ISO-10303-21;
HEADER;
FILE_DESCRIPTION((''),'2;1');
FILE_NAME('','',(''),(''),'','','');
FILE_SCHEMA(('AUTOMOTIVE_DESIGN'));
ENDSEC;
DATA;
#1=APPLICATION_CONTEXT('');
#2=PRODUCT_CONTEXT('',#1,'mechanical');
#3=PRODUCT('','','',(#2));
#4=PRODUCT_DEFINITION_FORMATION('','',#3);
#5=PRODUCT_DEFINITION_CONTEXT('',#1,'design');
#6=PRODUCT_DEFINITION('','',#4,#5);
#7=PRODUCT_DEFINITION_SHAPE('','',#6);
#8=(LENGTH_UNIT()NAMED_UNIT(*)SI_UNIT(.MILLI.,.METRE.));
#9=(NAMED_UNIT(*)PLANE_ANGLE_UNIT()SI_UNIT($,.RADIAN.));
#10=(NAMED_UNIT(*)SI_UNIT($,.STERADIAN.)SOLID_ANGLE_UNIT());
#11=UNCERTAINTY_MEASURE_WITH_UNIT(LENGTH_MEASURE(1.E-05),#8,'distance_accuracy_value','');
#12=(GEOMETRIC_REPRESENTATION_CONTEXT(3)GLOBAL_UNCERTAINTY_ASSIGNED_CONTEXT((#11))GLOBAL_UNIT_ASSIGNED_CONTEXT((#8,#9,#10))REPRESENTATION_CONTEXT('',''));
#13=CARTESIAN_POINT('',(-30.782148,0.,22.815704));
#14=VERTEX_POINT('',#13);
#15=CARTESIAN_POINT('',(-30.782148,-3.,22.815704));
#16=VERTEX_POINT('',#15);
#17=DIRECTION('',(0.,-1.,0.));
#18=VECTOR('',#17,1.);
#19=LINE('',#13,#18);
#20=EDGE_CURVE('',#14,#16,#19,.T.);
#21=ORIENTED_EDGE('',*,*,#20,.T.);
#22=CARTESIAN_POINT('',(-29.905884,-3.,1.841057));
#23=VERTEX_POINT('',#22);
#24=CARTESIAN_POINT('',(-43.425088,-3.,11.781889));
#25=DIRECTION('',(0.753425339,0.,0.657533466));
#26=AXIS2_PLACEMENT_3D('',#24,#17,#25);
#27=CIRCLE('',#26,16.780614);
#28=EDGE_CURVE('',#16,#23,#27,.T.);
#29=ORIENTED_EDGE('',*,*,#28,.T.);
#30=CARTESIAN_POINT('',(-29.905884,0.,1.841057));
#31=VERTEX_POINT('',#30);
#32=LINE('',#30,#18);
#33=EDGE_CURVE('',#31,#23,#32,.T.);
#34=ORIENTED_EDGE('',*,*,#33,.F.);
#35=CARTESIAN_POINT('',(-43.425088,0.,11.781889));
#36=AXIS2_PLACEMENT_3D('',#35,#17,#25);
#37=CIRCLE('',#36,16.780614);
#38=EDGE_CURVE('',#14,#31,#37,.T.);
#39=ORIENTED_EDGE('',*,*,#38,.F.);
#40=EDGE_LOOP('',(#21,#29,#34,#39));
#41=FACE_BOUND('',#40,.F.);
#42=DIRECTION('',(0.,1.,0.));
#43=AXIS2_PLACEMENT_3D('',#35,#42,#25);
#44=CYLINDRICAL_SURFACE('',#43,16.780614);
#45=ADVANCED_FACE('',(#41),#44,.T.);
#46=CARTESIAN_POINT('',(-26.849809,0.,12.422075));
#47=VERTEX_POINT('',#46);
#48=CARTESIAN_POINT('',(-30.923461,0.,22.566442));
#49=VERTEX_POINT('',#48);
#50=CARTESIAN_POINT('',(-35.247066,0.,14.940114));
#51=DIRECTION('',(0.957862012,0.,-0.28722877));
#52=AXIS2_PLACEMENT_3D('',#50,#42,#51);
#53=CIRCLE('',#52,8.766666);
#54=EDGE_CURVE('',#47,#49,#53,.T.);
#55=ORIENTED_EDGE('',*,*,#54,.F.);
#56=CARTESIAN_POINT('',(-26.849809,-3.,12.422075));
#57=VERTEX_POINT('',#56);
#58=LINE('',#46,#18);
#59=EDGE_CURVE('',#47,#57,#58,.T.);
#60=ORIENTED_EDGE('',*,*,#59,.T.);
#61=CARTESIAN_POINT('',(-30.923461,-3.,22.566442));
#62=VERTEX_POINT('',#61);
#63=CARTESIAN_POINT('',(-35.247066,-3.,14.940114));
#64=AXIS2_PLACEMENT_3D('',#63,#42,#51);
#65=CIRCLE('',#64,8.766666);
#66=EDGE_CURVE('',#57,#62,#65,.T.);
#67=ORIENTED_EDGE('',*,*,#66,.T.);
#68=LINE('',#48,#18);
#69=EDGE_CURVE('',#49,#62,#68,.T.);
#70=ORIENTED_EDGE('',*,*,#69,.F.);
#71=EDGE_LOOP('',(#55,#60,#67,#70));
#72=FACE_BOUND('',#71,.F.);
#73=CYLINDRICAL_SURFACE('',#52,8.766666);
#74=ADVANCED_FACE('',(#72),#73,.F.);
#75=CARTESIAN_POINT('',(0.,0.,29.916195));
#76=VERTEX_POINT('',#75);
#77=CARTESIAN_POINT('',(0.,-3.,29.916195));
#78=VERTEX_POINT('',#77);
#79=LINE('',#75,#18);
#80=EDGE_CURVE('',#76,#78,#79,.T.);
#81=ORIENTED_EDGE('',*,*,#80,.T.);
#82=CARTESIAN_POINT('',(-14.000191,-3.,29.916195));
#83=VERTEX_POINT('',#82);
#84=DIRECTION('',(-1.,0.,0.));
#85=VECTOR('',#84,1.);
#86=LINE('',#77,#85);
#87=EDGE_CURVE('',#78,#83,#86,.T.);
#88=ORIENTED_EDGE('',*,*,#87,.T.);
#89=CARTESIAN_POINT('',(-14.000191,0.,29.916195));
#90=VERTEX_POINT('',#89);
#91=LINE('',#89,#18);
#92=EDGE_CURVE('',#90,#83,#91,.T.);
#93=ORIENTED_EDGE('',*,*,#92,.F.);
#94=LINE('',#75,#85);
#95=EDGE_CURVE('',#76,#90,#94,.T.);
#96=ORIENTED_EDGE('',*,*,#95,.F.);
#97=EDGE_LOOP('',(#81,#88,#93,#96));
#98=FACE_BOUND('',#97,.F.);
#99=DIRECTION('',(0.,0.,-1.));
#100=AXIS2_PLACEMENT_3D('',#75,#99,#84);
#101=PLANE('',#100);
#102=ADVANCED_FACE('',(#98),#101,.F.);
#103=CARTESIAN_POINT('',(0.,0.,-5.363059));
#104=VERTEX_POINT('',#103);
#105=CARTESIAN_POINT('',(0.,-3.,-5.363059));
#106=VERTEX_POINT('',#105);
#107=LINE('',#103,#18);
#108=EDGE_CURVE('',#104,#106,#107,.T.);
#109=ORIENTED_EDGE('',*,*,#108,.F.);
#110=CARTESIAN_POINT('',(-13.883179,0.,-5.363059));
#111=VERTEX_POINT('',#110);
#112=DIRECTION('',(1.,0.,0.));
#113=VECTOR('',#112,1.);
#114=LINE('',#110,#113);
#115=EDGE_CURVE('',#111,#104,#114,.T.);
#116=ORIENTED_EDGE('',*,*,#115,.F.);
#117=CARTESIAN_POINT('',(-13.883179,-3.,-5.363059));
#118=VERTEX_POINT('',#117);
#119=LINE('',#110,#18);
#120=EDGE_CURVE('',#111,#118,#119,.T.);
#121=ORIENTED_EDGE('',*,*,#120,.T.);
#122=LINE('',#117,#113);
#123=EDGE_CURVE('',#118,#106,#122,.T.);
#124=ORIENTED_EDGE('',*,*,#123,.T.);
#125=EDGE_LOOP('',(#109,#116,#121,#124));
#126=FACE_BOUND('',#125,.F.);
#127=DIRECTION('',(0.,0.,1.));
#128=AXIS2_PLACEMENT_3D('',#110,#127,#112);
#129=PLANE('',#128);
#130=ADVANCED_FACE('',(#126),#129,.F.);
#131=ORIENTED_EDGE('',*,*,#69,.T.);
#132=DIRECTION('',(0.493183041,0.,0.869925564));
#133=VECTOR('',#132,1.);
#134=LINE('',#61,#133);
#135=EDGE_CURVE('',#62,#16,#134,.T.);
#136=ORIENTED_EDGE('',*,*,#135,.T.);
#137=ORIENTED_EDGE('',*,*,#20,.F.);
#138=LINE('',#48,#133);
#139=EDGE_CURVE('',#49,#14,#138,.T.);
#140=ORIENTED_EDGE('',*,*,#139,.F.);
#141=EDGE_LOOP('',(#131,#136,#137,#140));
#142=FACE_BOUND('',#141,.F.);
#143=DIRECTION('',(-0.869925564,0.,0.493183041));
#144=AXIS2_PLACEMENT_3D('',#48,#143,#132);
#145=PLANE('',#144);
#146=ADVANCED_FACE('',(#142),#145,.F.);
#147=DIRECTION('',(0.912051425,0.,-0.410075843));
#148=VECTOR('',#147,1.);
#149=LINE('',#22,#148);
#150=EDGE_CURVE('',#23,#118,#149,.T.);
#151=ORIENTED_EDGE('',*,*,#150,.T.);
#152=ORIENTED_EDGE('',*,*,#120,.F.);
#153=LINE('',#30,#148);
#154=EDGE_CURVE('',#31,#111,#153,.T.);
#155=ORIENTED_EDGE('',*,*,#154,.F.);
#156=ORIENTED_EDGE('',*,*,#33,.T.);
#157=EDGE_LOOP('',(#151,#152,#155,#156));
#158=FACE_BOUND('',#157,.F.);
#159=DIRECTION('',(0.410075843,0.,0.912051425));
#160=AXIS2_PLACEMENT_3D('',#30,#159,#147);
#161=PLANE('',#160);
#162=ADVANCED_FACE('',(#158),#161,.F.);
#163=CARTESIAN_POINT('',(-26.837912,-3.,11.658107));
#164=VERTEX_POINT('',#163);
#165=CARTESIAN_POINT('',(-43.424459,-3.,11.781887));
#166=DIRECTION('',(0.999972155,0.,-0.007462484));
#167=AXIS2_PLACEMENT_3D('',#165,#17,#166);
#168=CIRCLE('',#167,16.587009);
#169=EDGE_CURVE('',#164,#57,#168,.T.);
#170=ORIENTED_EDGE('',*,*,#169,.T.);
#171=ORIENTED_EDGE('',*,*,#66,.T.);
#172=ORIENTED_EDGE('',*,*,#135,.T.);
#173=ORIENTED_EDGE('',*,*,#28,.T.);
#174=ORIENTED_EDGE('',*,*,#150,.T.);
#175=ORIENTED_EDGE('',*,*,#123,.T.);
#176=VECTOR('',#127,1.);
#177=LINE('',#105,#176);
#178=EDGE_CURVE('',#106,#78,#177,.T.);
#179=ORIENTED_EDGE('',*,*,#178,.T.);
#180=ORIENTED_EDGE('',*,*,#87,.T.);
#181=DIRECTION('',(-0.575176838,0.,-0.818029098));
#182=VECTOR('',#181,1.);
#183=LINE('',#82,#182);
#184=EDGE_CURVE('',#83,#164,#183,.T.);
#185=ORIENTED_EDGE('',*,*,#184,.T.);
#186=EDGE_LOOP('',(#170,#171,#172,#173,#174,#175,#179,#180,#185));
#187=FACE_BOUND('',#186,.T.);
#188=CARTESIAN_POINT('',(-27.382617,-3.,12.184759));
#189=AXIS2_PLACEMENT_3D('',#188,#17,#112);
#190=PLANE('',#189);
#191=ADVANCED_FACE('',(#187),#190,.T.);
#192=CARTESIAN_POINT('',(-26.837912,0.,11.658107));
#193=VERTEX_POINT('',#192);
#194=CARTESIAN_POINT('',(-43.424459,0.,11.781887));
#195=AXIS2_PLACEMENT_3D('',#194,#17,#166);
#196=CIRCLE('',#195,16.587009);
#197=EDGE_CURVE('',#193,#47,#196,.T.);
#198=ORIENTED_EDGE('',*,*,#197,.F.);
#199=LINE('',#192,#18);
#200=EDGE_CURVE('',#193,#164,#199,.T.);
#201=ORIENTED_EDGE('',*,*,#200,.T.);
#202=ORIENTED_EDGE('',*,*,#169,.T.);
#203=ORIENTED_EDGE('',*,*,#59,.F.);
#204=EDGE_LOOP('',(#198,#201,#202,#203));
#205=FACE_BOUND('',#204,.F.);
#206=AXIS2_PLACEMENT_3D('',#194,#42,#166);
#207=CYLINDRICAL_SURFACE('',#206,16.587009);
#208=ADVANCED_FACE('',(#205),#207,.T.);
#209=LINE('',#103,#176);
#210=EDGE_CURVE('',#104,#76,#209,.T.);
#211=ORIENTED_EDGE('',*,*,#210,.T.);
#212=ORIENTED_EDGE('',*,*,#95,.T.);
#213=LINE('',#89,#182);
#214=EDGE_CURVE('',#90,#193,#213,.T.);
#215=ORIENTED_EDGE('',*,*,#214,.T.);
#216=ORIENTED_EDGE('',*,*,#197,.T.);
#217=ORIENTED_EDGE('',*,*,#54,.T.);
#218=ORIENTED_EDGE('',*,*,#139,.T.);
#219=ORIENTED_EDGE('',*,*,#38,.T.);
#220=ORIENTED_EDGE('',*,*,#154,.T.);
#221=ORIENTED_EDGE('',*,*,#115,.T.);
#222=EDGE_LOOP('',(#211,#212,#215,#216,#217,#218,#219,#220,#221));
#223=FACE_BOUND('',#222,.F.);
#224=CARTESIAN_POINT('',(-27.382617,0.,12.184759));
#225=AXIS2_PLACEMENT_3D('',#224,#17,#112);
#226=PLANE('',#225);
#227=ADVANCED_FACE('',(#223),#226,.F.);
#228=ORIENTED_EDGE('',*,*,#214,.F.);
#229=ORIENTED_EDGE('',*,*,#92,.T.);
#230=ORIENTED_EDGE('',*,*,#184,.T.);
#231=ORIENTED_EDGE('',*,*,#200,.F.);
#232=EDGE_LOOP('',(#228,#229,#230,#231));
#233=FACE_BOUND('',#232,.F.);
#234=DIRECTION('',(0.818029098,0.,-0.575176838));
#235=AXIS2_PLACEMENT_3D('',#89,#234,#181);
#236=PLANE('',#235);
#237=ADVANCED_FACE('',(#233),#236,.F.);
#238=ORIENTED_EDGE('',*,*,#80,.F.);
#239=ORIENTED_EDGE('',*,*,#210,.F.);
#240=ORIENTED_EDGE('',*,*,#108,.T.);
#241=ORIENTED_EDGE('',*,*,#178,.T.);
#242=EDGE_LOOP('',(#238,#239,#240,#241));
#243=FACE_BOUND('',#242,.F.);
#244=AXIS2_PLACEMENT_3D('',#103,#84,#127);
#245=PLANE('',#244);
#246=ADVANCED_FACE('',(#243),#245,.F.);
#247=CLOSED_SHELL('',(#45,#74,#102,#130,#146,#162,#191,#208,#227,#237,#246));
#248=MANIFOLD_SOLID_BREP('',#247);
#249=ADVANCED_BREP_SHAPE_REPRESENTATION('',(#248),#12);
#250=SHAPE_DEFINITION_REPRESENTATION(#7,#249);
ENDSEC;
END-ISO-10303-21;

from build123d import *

# Parameters (mm, degrees)
F1_DEPTH = 3


with BuildPart() as f1:
    # F0 (on Front) → F1 (new body)
    with BuildSketch(Plane.XZ):
        with BuildLine():
            Line((0, -5.363059), (0, 29.916195))
            Line((0, 29.916195), (-14.000191, 29.916195))
            Line((-14.000191, 29.916195), (-26.837912, 11.658107))
            ThreePointArc((-26.837912, 11.658107), (-26.839461, 12.040159), (-26.849809, 12.422075))
            ThreePointArc((-26.849809, 12.422075), (-43.382305, 11.673262), (-30.923461, 22.566442))
            Line((-30.923461, 22.566442), (-30.782148, 22.815704))
            ThreePointArc((-30.782148, 22.815704), (-60.191077, 11.081451), (-29.905884, 1.841057))
            Line((-29.905884, 1.841057), (-13.883179, -5.363059))
            Line((-13.883179, -5.363059), (0, -5.363059))
        make_face()
    extrude(amount=F1_DEPTH)


solid = f1.part
